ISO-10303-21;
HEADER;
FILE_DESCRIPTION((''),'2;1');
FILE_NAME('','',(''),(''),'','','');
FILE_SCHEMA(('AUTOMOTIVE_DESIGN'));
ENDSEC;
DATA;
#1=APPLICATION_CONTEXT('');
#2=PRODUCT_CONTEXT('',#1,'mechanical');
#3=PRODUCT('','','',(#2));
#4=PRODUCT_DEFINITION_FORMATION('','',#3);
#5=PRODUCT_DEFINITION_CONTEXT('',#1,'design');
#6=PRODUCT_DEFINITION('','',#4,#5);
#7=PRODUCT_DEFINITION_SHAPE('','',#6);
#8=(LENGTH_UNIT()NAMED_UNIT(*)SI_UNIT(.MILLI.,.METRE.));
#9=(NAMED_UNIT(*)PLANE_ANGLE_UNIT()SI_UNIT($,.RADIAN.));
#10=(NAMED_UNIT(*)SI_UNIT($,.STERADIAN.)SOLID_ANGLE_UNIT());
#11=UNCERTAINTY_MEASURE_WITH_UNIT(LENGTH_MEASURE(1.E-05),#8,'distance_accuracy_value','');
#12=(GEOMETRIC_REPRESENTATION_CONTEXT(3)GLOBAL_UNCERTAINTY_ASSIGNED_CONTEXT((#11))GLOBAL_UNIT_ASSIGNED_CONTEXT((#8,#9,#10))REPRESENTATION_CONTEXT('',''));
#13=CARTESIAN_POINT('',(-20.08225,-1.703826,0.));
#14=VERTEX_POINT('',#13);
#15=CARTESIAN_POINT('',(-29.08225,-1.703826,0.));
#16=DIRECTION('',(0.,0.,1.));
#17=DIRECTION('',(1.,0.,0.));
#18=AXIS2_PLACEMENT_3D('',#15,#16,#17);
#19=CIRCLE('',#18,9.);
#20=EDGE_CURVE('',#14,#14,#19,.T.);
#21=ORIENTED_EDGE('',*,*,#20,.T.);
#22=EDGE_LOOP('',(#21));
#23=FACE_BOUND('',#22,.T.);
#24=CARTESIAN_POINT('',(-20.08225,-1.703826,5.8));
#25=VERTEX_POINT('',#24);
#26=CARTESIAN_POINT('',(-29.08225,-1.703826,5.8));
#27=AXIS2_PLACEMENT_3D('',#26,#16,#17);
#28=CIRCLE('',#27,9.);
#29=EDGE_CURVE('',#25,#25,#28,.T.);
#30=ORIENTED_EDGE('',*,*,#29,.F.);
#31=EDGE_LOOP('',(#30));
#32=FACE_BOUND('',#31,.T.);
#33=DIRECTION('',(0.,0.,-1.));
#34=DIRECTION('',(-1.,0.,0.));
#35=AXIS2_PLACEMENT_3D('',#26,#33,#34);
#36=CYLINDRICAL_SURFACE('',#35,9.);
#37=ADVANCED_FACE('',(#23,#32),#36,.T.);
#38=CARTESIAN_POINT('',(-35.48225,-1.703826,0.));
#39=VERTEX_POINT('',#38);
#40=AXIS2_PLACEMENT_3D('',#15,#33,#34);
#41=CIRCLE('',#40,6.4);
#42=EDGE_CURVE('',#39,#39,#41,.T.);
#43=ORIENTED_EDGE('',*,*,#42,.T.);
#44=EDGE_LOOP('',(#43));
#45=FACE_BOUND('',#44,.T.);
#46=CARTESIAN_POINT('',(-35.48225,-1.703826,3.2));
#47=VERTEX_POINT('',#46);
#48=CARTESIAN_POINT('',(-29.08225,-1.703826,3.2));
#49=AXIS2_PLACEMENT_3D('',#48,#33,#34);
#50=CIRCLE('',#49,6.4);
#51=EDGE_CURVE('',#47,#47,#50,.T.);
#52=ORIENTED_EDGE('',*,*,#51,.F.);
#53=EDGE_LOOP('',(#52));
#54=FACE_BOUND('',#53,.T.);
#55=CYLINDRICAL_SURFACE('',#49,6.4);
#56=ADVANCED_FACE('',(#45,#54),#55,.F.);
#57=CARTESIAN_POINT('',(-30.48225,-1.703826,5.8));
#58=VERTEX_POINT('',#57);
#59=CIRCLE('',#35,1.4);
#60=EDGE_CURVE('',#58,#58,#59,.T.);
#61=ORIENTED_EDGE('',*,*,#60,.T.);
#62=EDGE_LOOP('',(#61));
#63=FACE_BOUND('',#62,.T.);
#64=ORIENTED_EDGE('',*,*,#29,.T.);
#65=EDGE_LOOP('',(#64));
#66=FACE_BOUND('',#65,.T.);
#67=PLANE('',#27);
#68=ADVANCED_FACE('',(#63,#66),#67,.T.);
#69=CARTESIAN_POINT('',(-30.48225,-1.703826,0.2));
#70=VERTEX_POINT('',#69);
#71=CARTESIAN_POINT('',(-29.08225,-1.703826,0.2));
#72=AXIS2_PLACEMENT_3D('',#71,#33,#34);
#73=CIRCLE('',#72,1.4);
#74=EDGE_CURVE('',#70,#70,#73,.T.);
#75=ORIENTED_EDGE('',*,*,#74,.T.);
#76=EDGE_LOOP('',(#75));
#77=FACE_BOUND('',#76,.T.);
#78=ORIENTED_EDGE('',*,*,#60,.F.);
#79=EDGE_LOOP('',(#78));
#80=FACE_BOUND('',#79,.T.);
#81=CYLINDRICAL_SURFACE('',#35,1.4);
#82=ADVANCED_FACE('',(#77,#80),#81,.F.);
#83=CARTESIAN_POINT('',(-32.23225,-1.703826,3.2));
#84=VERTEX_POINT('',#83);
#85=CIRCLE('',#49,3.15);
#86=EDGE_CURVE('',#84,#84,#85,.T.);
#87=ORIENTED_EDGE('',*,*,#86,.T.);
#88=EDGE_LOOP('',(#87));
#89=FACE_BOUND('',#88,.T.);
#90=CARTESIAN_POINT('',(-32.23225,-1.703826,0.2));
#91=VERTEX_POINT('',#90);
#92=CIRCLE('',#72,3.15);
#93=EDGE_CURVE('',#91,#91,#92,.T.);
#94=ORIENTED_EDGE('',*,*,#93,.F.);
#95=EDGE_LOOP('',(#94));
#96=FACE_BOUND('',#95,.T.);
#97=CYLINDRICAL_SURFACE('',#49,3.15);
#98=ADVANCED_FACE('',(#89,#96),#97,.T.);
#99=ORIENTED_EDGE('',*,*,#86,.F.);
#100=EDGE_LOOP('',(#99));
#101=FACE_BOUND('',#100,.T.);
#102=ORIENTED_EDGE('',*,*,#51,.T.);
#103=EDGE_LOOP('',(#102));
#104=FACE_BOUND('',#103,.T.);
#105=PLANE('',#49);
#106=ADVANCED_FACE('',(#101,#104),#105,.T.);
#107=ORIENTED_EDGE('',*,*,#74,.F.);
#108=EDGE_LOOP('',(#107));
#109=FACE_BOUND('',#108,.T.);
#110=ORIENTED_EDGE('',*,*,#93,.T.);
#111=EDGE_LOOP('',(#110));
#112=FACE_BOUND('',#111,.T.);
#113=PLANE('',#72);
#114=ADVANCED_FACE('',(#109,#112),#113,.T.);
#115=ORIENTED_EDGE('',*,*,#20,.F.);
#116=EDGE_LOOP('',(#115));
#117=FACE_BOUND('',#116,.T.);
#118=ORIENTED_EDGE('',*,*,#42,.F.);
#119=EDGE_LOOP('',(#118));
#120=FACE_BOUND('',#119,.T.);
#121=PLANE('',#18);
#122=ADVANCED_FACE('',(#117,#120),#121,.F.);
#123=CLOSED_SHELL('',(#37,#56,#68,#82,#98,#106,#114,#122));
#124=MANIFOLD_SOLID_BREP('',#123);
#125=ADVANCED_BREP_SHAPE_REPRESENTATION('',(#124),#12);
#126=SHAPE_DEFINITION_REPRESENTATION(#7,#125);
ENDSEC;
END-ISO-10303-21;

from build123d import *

# Parameters (mm, degrees)
SKETCH1_R           = 9
BOSS_EXTRUDE1_DEPTH = 5.8
SKETCH2_R           = 6.4
CUT_EXTRUDE1_DEPTH  = 3.2
SKETCH3_R           = 1
BOSS_EXTRUDE2_DEPTH = 3
SKETCH4_R           = 3.15
BOSS_EXTRUDE3_DEPTH = 3
SKETCH5_R           = 1.4
CUT_EXTRUDE2_DEPTH  = 40.9523428


with BuildPart() as part:
    # Sketch1 → Boss-Extrude1 (new body)
    with BuildSketch(Plane.XY):
        with Locations((-29.082250471, -1.703826149)):
            Circle(SKETCH1_R)
    extrude(amount=BOSS_EXTRUDE1_DEPTH)

    # Sketch2 → Cut-Extrude1 (cut)
    with BuildSketch(Plane(origin=(0, 0, 0), x_dir=(-1, 0, 0), z_dir=(0, 0, -1))):
        with Locations((29.082250471, -1.703826149)):
            Circle(SKETCH2_R)
    extrude(amount=-CUT_EXTRUDE1_DEPTH, mode=Mode.SUBTRACT)

    # Sketch3 → Boss-Extrude2 (add)
    with BuildSketch(Plane(origin=(0, 0, 3.2), x_dir=(-1, 0, 0), z_dir=(0, 0, -1))):
        with Locations((29.082250471, -1.703826149)):
            Circle(SKETCH3_R)
    extrude(amount=BOSS_EXTRUDE2_DEPTH)

    # Sketch4 → Boss-Extrude3 (add)
    with BuildSketch(Plane(origin=(0, 0, 0.2), x_dir=(-1, 0, 0), z_dir=(0, 0, -1))):
        with Locations((29.082250471, -1.703826149)):
            Circle(SKETCH4_R)
    extrude(amount=-BOSS_EXTRUDE3_DEPTH)

    # Sketch5 → Cut-Extrude2 (cut, through all)
    with BuildSketch(Plane(origin=(0, 0, 0.2), x_dir=(-1, 0, 0), z_dir=(0, 0, -1))):
        with Locations((29.082250471, -1.703826149)):
            Circle(SKETCH5_R)
    extrude(amount=-CUT_EXTRUDE2_DEPTH, mode=Mode.SUBTRACT)


solid = part.part
